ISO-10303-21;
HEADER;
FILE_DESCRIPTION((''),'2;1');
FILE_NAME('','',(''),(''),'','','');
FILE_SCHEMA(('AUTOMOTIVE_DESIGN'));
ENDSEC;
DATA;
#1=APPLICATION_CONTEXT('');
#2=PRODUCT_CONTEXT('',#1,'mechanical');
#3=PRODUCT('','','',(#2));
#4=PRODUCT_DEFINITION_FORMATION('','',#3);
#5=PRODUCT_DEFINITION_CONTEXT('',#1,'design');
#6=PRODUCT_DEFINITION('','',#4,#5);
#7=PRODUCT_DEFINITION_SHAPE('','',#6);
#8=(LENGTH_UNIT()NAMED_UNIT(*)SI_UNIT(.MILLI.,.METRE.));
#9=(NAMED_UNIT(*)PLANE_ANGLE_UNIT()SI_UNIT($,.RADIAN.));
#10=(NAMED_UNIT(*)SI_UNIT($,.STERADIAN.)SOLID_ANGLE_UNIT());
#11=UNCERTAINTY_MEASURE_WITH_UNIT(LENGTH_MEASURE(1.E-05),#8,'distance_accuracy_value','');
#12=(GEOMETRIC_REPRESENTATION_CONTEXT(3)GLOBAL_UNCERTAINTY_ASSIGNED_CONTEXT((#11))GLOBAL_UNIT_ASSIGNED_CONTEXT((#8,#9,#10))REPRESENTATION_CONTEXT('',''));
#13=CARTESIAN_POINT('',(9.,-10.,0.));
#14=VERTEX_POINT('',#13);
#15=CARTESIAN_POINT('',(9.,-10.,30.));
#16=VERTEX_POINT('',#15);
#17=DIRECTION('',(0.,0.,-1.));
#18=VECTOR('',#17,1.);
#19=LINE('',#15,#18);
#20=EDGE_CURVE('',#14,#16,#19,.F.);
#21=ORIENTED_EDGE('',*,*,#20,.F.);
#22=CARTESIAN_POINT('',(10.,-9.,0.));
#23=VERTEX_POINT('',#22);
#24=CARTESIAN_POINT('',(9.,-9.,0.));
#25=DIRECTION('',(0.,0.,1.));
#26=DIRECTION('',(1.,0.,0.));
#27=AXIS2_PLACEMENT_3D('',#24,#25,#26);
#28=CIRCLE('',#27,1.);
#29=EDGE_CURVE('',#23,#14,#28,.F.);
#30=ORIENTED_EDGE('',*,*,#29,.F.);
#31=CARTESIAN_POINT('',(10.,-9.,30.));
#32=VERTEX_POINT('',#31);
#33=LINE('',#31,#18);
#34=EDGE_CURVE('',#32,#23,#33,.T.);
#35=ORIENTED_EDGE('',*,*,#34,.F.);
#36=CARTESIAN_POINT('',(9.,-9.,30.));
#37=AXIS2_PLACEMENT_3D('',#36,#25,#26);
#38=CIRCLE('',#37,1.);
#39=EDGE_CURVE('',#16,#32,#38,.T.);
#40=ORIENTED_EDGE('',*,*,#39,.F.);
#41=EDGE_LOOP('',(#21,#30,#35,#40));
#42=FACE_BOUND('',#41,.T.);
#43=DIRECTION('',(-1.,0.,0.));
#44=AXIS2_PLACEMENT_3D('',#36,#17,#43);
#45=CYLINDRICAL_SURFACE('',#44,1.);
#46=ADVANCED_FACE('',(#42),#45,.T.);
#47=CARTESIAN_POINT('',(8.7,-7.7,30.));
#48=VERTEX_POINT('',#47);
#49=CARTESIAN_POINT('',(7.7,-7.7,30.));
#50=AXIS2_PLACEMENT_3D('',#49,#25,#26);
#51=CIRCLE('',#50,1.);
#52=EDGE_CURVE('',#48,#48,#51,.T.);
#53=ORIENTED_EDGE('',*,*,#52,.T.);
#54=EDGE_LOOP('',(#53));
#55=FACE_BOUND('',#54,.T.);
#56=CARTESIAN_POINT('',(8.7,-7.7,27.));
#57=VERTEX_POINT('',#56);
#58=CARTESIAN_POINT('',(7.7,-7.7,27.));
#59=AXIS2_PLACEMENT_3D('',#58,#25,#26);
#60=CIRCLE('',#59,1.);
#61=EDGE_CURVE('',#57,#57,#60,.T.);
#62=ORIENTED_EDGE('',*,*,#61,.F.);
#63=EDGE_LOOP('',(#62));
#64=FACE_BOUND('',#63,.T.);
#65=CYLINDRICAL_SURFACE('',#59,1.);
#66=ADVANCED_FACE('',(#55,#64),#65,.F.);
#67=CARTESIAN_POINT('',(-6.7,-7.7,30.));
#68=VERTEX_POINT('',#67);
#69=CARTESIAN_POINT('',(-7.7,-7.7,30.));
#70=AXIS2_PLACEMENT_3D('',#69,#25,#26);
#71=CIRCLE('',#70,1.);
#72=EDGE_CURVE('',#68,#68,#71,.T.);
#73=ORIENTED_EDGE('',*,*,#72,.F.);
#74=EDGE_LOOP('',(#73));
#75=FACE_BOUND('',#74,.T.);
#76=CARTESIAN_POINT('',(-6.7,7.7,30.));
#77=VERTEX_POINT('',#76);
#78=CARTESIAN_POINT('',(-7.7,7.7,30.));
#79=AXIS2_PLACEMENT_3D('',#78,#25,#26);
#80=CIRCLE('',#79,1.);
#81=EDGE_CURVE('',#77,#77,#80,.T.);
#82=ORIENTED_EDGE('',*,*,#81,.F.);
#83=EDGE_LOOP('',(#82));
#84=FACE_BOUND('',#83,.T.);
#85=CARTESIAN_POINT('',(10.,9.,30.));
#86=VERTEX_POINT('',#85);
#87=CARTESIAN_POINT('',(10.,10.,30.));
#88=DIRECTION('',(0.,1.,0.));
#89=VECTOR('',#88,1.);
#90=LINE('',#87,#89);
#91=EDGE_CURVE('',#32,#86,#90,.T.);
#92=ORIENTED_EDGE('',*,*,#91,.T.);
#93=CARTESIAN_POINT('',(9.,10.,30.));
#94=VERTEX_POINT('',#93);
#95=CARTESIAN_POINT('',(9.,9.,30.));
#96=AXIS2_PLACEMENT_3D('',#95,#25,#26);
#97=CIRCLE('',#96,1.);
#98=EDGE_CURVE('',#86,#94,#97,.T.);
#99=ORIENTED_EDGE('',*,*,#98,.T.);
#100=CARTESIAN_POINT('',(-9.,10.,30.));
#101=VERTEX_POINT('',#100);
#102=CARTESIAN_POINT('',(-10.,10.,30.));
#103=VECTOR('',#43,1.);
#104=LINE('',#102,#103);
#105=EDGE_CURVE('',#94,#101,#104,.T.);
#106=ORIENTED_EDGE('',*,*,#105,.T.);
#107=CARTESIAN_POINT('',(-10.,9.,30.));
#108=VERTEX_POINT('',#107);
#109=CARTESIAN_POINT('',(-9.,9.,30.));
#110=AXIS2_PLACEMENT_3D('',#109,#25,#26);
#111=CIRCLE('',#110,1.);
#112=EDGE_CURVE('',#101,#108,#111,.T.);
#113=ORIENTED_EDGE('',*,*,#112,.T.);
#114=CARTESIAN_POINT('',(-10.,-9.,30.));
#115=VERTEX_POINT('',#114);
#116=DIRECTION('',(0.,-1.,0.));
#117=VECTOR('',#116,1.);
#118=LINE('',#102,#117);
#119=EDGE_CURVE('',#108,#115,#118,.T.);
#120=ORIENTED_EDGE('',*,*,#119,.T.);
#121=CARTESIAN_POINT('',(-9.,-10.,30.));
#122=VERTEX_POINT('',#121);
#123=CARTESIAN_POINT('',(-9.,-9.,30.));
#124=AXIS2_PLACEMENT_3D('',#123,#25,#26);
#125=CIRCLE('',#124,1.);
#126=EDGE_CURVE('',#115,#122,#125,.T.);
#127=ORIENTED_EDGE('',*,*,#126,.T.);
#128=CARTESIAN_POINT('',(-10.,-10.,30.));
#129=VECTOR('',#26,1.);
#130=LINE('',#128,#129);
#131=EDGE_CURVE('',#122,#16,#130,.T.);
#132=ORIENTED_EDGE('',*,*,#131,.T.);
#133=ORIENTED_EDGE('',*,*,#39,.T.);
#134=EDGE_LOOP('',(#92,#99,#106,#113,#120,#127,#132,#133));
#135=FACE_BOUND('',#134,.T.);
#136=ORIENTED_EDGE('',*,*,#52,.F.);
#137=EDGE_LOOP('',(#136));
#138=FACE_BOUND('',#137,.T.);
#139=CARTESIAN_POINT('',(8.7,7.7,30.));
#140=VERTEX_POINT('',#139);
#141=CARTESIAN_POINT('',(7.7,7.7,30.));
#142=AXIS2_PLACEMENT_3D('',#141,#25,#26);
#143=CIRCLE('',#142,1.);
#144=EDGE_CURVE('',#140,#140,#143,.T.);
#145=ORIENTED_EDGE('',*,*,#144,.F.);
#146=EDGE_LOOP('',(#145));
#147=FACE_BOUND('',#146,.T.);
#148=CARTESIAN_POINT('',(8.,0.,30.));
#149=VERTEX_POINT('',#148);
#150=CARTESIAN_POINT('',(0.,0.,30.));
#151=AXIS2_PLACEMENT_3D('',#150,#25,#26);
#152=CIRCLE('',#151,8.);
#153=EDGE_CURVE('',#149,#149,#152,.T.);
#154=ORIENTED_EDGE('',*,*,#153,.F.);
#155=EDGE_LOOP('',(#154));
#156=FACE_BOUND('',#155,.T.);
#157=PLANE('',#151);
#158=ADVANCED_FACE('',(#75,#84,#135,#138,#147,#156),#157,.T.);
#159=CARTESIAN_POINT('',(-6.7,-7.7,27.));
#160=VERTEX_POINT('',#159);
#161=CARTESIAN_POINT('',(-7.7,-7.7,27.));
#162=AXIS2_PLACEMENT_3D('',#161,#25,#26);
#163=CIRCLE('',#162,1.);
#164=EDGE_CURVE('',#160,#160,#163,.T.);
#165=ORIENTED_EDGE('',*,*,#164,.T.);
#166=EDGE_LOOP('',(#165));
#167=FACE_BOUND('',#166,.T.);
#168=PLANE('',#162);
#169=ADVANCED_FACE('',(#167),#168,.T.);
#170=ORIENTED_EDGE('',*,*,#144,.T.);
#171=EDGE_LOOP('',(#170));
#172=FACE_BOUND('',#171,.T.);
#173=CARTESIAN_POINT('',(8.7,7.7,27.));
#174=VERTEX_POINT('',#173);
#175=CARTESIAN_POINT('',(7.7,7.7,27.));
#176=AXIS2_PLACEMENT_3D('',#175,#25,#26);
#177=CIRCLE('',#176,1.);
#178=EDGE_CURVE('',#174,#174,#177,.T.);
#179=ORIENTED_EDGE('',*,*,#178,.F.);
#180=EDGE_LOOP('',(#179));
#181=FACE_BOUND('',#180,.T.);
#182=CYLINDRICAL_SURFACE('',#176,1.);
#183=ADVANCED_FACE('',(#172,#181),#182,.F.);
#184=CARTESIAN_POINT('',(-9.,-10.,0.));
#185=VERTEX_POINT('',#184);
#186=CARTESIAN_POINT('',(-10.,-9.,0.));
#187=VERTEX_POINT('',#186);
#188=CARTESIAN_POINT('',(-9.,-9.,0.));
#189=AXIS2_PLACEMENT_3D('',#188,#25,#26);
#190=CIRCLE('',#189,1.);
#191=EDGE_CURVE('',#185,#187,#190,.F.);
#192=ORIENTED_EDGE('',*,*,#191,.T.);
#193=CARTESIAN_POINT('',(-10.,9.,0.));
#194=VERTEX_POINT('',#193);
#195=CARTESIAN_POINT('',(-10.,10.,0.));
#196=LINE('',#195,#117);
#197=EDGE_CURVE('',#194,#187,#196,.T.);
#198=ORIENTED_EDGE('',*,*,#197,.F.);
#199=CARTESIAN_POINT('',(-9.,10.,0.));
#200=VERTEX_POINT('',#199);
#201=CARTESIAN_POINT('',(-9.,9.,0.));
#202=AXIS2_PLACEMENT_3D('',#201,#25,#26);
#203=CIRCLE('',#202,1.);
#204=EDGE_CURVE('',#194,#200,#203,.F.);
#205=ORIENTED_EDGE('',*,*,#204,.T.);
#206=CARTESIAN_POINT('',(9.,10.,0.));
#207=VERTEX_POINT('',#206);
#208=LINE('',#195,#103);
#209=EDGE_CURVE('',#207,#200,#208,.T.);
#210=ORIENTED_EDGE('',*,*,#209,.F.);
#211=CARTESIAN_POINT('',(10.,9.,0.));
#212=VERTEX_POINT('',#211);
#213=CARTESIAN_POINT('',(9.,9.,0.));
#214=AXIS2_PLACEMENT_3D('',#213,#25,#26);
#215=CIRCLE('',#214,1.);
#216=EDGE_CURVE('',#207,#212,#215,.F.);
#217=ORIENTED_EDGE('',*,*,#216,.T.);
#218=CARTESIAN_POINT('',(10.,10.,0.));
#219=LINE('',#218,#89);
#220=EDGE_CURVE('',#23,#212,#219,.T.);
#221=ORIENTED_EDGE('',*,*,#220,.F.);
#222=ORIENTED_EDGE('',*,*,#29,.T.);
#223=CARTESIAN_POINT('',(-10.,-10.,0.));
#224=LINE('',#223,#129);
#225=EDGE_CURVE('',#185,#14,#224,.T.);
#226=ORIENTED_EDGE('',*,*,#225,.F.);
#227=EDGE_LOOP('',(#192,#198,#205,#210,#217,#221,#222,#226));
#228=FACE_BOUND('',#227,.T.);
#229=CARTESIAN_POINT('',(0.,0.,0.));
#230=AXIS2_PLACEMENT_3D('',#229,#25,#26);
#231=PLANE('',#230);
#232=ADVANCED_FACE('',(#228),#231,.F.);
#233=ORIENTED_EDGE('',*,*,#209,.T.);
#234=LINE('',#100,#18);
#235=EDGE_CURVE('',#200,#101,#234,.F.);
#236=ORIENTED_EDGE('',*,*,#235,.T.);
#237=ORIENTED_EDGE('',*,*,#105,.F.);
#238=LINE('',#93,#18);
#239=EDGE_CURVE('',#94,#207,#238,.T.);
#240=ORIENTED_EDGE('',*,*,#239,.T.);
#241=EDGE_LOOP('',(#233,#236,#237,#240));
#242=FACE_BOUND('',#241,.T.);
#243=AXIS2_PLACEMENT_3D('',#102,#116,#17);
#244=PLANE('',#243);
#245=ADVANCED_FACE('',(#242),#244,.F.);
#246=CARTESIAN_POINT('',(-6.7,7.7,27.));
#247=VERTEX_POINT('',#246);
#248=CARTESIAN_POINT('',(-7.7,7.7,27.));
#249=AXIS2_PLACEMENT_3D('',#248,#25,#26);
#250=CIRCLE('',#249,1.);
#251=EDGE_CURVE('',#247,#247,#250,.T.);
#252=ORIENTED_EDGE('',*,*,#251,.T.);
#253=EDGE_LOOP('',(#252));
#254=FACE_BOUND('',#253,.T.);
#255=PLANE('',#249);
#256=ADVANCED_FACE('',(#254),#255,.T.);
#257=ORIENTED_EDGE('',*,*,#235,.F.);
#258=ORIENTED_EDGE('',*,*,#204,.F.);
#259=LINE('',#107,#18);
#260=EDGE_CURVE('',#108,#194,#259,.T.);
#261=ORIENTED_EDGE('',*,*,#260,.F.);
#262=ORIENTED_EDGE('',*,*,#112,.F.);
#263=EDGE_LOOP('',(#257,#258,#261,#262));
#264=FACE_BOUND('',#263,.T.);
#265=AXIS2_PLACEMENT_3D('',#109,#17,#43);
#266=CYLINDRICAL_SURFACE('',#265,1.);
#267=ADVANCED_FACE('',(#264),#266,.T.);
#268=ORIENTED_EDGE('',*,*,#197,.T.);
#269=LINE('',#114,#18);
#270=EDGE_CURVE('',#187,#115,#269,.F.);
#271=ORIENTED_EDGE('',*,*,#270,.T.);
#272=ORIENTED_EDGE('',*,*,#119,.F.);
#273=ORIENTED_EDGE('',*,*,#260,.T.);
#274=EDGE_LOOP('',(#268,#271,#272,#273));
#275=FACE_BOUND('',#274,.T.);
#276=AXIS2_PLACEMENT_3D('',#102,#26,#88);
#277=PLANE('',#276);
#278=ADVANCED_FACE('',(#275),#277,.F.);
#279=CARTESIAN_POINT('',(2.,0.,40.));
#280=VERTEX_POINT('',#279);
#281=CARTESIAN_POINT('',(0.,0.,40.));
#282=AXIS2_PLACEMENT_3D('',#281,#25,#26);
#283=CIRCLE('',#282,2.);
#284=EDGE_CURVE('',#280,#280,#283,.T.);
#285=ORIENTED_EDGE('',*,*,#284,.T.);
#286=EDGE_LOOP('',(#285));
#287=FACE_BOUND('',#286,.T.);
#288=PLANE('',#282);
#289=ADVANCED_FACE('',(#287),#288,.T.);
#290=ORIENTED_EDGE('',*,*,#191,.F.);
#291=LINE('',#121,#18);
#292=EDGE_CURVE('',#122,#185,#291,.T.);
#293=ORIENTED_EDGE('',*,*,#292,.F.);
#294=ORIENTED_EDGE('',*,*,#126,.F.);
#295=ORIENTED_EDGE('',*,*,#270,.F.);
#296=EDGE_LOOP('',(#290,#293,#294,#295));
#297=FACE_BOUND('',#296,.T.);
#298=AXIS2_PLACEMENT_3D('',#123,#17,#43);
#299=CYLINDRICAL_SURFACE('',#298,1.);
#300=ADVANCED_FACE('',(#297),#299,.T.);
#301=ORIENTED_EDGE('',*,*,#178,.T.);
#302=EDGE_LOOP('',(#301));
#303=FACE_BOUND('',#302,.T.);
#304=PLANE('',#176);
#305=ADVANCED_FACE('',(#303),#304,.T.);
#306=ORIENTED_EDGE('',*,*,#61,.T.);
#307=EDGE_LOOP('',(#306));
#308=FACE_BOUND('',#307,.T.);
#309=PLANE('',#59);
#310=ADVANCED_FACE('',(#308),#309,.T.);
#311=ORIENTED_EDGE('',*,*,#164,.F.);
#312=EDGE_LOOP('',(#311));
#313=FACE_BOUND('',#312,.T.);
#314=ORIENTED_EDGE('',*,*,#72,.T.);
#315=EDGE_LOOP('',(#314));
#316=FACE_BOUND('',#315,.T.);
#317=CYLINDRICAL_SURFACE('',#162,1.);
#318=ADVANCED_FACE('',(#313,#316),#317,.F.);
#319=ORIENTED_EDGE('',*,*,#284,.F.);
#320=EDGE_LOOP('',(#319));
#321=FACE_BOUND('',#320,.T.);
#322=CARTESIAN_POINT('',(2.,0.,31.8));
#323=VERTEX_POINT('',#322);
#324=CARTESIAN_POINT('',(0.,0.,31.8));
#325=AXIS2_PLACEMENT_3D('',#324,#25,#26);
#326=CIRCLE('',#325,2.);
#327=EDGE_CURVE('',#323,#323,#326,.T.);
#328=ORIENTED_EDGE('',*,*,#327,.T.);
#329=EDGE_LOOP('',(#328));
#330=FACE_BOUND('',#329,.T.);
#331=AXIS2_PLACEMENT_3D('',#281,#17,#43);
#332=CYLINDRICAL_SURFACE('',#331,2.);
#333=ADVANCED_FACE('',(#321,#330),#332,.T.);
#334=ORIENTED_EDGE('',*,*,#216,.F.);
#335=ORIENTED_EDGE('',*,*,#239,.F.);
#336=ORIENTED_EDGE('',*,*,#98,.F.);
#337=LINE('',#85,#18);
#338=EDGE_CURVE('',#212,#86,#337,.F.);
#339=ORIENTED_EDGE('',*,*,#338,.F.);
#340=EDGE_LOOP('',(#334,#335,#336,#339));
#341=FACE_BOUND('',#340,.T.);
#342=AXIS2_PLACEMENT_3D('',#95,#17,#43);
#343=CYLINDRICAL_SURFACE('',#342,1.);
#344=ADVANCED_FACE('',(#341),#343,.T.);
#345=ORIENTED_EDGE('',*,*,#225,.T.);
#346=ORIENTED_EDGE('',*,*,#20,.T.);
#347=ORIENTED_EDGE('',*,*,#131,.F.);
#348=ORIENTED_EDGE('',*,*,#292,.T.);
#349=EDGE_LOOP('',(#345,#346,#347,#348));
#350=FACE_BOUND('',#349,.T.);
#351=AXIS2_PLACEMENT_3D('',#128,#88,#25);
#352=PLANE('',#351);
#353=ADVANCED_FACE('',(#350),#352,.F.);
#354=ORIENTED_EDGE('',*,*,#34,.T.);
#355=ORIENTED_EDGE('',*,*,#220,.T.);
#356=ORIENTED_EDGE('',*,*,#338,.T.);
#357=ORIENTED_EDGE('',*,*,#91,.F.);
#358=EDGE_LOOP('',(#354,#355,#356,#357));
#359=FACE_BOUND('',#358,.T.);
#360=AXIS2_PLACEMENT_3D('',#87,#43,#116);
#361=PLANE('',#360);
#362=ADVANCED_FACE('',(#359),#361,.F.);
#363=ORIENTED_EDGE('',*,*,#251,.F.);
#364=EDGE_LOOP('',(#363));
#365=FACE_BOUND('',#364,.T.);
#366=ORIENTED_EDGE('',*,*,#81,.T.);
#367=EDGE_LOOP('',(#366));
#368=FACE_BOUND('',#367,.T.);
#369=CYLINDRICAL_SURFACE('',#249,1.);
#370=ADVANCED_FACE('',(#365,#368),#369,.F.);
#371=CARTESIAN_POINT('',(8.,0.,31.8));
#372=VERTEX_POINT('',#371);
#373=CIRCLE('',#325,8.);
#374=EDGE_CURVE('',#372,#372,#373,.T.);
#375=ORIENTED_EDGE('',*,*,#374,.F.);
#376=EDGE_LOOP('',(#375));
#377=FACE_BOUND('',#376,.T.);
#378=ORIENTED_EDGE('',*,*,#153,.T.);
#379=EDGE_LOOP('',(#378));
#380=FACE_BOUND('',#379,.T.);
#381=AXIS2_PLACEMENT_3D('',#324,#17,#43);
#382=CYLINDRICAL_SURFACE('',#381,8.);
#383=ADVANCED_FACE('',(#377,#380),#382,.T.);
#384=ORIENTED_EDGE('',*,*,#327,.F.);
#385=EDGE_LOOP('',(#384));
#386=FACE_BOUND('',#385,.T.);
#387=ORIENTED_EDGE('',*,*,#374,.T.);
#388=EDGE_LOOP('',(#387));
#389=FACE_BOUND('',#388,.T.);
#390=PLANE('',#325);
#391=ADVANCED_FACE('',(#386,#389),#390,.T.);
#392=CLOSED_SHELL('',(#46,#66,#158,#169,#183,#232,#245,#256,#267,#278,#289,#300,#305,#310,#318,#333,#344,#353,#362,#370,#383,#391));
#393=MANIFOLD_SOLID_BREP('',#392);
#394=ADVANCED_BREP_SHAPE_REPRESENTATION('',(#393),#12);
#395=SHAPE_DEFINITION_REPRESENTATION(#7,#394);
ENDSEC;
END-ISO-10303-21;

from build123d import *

# Parameters (mm, degrees)
SKETCH1_W           = 20
SKETCH1_H           = 20
BOSS_EXTRUDE1_DEPTH = 30
FILLET1_R           = 1
SKETCH2_R           = 8
BOSS_EXTRUDE2_DEPTH = 1.8
SKETCH3_R           = 2
BOSS_EXTRUDE3_DEPTH = 8.2
SKETCH4_R           = 1
CUT_EXTRUDE1_DEPTH  = 3


with BuildPart() as part:
    # Sketch1 → Boss-Extrude1 (new body)
    with BuildSketch(Plane.XY):
        Rectangle(SKETCH1_W, SKETCH1_H)
    extrude(amount=BOSS_EXTRUDE1_DEPTH)

    # Fillet1
    fillet1_edges = [part.edges().sort_by_distance(p)[0] for p in [
        (10, -10, 15),
        (-10, -10, 15),
        (-10, 10, 15),
        (10, 10, 15),
    ]]
    fillet(fillet1_edges, radius=FILLET1_R)

    # Sketch2 → Boss-Extrude2 (add)
    with BuildSketch(Plane.XY.offset(30)):
        Circle(SKETCH2_R)
    extrude(amount=BOSS_EXTRUDE2_DEPTH)

    # Sketch3 → Boss-Extrude3 (add)
    with BuildSketch(Plane.XY.offset(31.8)):
        Circle(SKETCH3_R)
    extrude(amount=BOSS_EXTRUDE3_DEPTH)

    # Sketch4 → Cut-Extrude1 (cut)
    with BuildSketch(Plane.XY.offset(30)):
        with Locations((-7.7, 7.7)):
            Circle(SKETCH4_R)
        with Locations((7.7, 7.7)):
            Circle(SKETCH4_R)
        with Locations((7.7, -7.7)):
            Circle(SKETCH4_R)
        with Locations((-7.7, -7.7)):
            Circle(SKETCH4_R)
    extrude(amount=-CUT_EXTRUDE1_DEPTH, mode=Mode.SUBTRACT)


solid = part.part
